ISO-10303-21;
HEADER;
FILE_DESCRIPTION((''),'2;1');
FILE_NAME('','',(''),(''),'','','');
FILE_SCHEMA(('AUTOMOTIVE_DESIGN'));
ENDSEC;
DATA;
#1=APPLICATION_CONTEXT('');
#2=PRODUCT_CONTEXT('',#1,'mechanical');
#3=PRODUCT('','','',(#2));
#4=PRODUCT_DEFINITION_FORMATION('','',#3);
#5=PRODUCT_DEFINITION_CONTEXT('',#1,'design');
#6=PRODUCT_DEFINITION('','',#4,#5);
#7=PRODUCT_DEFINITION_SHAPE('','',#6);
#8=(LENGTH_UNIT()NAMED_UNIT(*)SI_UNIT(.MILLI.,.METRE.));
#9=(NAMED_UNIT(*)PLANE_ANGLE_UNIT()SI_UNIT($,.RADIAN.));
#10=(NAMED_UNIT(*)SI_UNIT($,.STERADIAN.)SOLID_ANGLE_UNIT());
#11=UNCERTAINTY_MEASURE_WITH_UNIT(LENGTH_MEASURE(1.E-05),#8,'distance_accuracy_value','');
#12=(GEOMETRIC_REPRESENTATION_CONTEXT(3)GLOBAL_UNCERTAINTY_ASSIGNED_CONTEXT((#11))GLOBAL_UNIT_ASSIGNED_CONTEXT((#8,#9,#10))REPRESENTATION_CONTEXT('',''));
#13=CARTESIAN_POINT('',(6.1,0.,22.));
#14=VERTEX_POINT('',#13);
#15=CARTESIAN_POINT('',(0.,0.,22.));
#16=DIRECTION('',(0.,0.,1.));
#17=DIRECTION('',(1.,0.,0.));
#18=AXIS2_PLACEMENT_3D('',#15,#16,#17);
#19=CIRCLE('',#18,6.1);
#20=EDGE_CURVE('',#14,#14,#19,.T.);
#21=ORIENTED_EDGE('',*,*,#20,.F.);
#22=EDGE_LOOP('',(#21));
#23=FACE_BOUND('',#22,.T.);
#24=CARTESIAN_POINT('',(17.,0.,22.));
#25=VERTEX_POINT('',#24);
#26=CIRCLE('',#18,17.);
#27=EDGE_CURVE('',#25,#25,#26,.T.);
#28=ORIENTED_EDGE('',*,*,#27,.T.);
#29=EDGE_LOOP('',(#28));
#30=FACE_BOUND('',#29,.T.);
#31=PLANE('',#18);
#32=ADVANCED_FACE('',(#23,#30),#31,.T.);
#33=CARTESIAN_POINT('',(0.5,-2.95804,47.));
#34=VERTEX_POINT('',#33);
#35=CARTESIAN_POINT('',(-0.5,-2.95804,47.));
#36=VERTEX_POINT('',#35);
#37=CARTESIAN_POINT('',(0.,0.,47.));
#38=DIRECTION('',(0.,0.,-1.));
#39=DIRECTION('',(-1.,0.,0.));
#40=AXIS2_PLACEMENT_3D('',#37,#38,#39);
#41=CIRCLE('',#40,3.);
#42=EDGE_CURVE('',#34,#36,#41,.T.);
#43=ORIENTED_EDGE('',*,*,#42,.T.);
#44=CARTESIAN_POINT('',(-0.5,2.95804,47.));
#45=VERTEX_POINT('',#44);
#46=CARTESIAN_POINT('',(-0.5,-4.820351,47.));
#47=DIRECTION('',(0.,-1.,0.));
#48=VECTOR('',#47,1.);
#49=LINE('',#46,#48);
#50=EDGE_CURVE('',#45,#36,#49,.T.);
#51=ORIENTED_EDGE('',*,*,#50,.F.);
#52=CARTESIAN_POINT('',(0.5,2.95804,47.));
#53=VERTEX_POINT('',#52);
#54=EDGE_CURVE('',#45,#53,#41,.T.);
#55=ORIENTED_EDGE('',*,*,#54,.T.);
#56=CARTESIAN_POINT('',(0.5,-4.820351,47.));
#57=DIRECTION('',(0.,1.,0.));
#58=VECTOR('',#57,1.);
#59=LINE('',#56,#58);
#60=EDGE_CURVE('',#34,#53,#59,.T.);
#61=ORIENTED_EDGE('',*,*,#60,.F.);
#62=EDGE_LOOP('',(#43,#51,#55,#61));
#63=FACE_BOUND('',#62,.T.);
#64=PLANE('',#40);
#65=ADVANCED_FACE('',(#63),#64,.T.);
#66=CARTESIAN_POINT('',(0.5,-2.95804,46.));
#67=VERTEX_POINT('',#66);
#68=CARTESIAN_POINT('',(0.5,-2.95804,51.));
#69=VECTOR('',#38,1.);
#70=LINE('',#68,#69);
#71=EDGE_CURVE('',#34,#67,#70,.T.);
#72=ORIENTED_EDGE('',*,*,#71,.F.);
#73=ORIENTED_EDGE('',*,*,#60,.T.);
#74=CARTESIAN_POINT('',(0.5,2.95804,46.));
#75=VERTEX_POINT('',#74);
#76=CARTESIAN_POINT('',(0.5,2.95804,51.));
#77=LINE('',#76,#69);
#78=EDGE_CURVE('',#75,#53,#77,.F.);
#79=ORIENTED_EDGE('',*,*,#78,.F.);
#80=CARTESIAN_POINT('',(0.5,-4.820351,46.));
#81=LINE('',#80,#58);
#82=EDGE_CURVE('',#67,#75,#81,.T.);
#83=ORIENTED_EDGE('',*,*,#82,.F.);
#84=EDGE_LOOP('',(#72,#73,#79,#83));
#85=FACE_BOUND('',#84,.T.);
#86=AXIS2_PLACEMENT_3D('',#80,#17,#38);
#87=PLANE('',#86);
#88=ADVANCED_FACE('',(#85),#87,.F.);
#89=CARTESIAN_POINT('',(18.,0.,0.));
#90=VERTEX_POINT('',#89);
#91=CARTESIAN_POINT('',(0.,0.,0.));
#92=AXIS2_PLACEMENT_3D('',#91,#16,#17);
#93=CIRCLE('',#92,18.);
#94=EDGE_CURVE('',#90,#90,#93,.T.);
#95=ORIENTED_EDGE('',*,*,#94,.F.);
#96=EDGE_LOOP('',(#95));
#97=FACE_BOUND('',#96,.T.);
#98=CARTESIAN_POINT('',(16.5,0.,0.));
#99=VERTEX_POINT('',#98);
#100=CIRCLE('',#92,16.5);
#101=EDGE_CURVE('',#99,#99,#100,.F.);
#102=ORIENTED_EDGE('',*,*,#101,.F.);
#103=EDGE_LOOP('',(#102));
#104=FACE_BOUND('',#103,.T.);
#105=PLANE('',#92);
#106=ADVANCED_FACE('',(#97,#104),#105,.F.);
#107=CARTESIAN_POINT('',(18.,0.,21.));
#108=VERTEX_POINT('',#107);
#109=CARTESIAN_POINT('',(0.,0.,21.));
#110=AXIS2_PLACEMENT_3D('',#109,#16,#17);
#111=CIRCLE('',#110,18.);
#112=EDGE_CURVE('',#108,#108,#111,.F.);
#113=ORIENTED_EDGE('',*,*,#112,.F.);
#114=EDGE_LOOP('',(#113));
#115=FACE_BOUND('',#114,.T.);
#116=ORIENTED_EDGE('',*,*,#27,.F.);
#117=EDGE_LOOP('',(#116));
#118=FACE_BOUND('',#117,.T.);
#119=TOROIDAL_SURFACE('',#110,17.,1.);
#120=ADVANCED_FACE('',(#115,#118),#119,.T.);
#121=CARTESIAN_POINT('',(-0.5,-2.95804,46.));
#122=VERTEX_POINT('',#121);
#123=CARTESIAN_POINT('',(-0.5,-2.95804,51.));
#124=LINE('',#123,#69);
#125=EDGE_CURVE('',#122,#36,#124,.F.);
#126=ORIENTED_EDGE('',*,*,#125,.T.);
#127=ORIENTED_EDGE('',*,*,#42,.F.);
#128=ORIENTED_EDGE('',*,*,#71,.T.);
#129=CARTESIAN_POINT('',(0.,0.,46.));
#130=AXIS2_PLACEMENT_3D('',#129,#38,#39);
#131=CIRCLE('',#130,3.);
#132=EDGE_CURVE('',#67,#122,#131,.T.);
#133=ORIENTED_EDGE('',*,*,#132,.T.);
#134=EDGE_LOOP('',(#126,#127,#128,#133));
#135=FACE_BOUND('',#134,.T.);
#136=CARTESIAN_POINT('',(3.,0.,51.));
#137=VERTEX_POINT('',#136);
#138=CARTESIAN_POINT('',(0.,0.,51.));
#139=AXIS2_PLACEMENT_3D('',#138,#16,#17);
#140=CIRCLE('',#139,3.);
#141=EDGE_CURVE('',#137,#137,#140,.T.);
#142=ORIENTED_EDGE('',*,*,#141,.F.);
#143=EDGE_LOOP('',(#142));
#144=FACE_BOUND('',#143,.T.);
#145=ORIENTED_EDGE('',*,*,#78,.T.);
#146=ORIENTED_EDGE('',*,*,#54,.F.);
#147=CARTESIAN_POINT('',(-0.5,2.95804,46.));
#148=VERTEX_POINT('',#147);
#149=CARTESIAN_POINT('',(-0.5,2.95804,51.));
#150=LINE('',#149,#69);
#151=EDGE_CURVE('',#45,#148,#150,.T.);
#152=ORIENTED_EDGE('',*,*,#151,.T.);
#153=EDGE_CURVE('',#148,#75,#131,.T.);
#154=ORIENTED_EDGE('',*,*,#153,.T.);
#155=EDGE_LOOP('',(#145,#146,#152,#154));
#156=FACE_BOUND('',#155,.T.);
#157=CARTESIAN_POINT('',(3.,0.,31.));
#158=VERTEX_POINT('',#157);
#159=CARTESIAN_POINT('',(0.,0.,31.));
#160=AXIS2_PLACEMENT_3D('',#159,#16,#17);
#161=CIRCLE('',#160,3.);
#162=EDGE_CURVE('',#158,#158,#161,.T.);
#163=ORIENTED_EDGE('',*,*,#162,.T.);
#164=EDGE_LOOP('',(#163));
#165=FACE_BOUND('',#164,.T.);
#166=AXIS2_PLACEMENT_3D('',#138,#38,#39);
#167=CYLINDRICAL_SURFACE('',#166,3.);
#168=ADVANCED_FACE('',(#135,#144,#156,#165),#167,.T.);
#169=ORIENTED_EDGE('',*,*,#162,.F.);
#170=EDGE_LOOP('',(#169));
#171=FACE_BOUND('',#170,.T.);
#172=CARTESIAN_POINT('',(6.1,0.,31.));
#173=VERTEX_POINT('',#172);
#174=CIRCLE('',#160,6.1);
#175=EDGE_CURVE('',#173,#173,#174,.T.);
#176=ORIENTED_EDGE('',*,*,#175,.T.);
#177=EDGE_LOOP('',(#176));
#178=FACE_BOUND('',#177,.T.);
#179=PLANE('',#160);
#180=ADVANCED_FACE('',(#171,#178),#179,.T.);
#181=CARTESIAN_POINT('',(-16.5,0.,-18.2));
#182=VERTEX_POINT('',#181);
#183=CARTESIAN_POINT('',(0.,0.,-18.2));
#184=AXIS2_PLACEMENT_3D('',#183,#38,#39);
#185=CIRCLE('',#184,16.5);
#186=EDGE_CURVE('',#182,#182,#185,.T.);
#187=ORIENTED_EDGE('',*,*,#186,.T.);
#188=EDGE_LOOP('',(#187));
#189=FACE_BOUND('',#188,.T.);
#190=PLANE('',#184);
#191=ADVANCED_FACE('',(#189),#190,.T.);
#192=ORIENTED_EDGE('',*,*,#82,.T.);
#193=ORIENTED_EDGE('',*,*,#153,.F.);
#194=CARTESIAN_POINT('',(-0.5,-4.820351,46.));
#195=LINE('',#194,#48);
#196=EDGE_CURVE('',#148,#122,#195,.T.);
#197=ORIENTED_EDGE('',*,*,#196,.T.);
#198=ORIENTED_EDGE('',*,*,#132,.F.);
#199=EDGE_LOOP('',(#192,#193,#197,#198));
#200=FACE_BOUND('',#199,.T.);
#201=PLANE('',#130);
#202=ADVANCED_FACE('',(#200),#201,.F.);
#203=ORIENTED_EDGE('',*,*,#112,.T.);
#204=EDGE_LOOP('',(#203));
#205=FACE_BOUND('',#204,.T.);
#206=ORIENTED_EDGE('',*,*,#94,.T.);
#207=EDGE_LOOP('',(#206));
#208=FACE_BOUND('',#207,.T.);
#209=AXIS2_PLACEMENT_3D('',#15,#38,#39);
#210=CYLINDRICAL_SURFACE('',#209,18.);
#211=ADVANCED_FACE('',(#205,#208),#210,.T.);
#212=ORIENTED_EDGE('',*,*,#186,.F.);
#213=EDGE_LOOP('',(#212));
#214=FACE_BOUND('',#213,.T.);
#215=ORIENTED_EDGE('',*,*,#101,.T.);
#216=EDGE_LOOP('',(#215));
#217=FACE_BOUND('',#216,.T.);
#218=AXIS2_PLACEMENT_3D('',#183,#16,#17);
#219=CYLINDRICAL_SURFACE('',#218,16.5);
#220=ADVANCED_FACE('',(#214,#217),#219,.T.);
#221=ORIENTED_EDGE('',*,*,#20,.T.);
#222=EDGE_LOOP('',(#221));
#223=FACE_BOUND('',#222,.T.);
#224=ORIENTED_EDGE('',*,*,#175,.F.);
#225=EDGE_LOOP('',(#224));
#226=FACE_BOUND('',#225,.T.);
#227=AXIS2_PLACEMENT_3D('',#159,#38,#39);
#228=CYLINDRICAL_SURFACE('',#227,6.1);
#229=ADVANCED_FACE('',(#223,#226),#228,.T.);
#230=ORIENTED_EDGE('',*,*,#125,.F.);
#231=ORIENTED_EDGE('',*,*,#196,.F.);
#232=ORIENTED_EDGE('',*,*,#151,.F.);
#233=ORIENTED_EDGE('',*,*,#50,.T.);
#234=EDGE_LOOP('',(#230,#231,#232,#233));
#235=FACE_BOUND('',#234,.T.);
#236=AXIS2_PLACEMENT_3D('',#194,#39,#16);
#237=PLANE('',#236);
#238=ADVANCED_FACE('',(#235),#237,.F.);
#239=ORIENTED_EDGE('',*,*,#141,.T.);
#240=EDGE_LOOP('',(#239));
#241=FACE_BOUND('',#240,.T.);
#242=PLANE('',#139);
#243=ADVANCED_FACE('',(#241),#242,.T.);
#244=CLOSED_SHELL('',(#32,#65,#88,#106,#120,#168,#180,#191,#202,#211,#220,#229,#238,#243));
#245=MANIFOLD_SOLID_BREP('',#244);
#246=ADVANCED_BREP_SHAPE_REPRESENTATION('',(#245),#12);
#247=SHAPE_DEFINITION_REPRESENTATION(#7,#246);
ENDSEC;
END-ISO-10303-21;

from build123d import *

# Parameters (mm, degrees)
SKETCH1_R           = 18
BOSS_EXTRUDE1_DEPTH = 22
SKETCH2_R           = 6.1
BOSS_EXTRUDE2_DEPTH = 9
SKETCH3_R           = 3
BOSS_EXTRUDE3_DEPTH = 20
SKETCH4_R           = 16.5
BOSS_EXTRUDE4_DEPTH = 18.2
FILLET1_R           = 1
CUT_EXTRUDE1_START  = -4
SKETCH5_W           = 1
SKETCH5_H           = 9.640702938
CUT_EXTRUDE1_DEPTH  = 1


with BuildPart() as part:
    # Sketch1 → Boss-Extrude1 (new body)
    with BuildSketch(Plane.XY):
        Circle(SKETCH1_R)
    extrude(amount=BOSS_EXTRUDE1_DEPTH)

    # Sketch2 → Boss-Extrude2 (add)
    with BuildSketch(Plane.XY.offset(22)):
        Circle(SKETCH2_R)
    extrude(amount=BOSS_EXTRUDE2_DEPTH)

    # Sketch3 → Boss-Extrude3 (add)
    with BuildSketch(Plane.XY.offset(31)):
        Circle(SKETCH3_R)
    extrude(amount=BOSS_EXTRUDE3_DEPTH)

    # Sketch4 → Boss-Extrude4 (add)
    with BuildSketch(Plane(origin=(0, 0, 0), x_dir=(-1, 0, 0), z_dir=(0, 0, -1))):
        with Locations(Location((0, 0, 0), (0, 0, 180))):
            Circle(SKETCH4_R)
    extrude(amount=BOSS_EXTRUDE4_DEPTH)

    # Fillet1
    fillet1_edges = [part.edges().sort_by_distance(p)[0] for p in [
        (-18, 0, 22),
    ]]
    fillet(fillet1_edges, radius=FILLET1_R)

    # Sketch5 → Cut-Extrude1 (cut)
    with BuildSketch(Plane.XY.offset(51).offset(CUT_EXTRUDE1_START)):
        Rectangle(SKETCH5_W, SKETCH5_H)
    extrude(amount=-CUT_EXTRUDE1_DEPTH, mode=Mode.SUBTRACT)


solid = part.part
